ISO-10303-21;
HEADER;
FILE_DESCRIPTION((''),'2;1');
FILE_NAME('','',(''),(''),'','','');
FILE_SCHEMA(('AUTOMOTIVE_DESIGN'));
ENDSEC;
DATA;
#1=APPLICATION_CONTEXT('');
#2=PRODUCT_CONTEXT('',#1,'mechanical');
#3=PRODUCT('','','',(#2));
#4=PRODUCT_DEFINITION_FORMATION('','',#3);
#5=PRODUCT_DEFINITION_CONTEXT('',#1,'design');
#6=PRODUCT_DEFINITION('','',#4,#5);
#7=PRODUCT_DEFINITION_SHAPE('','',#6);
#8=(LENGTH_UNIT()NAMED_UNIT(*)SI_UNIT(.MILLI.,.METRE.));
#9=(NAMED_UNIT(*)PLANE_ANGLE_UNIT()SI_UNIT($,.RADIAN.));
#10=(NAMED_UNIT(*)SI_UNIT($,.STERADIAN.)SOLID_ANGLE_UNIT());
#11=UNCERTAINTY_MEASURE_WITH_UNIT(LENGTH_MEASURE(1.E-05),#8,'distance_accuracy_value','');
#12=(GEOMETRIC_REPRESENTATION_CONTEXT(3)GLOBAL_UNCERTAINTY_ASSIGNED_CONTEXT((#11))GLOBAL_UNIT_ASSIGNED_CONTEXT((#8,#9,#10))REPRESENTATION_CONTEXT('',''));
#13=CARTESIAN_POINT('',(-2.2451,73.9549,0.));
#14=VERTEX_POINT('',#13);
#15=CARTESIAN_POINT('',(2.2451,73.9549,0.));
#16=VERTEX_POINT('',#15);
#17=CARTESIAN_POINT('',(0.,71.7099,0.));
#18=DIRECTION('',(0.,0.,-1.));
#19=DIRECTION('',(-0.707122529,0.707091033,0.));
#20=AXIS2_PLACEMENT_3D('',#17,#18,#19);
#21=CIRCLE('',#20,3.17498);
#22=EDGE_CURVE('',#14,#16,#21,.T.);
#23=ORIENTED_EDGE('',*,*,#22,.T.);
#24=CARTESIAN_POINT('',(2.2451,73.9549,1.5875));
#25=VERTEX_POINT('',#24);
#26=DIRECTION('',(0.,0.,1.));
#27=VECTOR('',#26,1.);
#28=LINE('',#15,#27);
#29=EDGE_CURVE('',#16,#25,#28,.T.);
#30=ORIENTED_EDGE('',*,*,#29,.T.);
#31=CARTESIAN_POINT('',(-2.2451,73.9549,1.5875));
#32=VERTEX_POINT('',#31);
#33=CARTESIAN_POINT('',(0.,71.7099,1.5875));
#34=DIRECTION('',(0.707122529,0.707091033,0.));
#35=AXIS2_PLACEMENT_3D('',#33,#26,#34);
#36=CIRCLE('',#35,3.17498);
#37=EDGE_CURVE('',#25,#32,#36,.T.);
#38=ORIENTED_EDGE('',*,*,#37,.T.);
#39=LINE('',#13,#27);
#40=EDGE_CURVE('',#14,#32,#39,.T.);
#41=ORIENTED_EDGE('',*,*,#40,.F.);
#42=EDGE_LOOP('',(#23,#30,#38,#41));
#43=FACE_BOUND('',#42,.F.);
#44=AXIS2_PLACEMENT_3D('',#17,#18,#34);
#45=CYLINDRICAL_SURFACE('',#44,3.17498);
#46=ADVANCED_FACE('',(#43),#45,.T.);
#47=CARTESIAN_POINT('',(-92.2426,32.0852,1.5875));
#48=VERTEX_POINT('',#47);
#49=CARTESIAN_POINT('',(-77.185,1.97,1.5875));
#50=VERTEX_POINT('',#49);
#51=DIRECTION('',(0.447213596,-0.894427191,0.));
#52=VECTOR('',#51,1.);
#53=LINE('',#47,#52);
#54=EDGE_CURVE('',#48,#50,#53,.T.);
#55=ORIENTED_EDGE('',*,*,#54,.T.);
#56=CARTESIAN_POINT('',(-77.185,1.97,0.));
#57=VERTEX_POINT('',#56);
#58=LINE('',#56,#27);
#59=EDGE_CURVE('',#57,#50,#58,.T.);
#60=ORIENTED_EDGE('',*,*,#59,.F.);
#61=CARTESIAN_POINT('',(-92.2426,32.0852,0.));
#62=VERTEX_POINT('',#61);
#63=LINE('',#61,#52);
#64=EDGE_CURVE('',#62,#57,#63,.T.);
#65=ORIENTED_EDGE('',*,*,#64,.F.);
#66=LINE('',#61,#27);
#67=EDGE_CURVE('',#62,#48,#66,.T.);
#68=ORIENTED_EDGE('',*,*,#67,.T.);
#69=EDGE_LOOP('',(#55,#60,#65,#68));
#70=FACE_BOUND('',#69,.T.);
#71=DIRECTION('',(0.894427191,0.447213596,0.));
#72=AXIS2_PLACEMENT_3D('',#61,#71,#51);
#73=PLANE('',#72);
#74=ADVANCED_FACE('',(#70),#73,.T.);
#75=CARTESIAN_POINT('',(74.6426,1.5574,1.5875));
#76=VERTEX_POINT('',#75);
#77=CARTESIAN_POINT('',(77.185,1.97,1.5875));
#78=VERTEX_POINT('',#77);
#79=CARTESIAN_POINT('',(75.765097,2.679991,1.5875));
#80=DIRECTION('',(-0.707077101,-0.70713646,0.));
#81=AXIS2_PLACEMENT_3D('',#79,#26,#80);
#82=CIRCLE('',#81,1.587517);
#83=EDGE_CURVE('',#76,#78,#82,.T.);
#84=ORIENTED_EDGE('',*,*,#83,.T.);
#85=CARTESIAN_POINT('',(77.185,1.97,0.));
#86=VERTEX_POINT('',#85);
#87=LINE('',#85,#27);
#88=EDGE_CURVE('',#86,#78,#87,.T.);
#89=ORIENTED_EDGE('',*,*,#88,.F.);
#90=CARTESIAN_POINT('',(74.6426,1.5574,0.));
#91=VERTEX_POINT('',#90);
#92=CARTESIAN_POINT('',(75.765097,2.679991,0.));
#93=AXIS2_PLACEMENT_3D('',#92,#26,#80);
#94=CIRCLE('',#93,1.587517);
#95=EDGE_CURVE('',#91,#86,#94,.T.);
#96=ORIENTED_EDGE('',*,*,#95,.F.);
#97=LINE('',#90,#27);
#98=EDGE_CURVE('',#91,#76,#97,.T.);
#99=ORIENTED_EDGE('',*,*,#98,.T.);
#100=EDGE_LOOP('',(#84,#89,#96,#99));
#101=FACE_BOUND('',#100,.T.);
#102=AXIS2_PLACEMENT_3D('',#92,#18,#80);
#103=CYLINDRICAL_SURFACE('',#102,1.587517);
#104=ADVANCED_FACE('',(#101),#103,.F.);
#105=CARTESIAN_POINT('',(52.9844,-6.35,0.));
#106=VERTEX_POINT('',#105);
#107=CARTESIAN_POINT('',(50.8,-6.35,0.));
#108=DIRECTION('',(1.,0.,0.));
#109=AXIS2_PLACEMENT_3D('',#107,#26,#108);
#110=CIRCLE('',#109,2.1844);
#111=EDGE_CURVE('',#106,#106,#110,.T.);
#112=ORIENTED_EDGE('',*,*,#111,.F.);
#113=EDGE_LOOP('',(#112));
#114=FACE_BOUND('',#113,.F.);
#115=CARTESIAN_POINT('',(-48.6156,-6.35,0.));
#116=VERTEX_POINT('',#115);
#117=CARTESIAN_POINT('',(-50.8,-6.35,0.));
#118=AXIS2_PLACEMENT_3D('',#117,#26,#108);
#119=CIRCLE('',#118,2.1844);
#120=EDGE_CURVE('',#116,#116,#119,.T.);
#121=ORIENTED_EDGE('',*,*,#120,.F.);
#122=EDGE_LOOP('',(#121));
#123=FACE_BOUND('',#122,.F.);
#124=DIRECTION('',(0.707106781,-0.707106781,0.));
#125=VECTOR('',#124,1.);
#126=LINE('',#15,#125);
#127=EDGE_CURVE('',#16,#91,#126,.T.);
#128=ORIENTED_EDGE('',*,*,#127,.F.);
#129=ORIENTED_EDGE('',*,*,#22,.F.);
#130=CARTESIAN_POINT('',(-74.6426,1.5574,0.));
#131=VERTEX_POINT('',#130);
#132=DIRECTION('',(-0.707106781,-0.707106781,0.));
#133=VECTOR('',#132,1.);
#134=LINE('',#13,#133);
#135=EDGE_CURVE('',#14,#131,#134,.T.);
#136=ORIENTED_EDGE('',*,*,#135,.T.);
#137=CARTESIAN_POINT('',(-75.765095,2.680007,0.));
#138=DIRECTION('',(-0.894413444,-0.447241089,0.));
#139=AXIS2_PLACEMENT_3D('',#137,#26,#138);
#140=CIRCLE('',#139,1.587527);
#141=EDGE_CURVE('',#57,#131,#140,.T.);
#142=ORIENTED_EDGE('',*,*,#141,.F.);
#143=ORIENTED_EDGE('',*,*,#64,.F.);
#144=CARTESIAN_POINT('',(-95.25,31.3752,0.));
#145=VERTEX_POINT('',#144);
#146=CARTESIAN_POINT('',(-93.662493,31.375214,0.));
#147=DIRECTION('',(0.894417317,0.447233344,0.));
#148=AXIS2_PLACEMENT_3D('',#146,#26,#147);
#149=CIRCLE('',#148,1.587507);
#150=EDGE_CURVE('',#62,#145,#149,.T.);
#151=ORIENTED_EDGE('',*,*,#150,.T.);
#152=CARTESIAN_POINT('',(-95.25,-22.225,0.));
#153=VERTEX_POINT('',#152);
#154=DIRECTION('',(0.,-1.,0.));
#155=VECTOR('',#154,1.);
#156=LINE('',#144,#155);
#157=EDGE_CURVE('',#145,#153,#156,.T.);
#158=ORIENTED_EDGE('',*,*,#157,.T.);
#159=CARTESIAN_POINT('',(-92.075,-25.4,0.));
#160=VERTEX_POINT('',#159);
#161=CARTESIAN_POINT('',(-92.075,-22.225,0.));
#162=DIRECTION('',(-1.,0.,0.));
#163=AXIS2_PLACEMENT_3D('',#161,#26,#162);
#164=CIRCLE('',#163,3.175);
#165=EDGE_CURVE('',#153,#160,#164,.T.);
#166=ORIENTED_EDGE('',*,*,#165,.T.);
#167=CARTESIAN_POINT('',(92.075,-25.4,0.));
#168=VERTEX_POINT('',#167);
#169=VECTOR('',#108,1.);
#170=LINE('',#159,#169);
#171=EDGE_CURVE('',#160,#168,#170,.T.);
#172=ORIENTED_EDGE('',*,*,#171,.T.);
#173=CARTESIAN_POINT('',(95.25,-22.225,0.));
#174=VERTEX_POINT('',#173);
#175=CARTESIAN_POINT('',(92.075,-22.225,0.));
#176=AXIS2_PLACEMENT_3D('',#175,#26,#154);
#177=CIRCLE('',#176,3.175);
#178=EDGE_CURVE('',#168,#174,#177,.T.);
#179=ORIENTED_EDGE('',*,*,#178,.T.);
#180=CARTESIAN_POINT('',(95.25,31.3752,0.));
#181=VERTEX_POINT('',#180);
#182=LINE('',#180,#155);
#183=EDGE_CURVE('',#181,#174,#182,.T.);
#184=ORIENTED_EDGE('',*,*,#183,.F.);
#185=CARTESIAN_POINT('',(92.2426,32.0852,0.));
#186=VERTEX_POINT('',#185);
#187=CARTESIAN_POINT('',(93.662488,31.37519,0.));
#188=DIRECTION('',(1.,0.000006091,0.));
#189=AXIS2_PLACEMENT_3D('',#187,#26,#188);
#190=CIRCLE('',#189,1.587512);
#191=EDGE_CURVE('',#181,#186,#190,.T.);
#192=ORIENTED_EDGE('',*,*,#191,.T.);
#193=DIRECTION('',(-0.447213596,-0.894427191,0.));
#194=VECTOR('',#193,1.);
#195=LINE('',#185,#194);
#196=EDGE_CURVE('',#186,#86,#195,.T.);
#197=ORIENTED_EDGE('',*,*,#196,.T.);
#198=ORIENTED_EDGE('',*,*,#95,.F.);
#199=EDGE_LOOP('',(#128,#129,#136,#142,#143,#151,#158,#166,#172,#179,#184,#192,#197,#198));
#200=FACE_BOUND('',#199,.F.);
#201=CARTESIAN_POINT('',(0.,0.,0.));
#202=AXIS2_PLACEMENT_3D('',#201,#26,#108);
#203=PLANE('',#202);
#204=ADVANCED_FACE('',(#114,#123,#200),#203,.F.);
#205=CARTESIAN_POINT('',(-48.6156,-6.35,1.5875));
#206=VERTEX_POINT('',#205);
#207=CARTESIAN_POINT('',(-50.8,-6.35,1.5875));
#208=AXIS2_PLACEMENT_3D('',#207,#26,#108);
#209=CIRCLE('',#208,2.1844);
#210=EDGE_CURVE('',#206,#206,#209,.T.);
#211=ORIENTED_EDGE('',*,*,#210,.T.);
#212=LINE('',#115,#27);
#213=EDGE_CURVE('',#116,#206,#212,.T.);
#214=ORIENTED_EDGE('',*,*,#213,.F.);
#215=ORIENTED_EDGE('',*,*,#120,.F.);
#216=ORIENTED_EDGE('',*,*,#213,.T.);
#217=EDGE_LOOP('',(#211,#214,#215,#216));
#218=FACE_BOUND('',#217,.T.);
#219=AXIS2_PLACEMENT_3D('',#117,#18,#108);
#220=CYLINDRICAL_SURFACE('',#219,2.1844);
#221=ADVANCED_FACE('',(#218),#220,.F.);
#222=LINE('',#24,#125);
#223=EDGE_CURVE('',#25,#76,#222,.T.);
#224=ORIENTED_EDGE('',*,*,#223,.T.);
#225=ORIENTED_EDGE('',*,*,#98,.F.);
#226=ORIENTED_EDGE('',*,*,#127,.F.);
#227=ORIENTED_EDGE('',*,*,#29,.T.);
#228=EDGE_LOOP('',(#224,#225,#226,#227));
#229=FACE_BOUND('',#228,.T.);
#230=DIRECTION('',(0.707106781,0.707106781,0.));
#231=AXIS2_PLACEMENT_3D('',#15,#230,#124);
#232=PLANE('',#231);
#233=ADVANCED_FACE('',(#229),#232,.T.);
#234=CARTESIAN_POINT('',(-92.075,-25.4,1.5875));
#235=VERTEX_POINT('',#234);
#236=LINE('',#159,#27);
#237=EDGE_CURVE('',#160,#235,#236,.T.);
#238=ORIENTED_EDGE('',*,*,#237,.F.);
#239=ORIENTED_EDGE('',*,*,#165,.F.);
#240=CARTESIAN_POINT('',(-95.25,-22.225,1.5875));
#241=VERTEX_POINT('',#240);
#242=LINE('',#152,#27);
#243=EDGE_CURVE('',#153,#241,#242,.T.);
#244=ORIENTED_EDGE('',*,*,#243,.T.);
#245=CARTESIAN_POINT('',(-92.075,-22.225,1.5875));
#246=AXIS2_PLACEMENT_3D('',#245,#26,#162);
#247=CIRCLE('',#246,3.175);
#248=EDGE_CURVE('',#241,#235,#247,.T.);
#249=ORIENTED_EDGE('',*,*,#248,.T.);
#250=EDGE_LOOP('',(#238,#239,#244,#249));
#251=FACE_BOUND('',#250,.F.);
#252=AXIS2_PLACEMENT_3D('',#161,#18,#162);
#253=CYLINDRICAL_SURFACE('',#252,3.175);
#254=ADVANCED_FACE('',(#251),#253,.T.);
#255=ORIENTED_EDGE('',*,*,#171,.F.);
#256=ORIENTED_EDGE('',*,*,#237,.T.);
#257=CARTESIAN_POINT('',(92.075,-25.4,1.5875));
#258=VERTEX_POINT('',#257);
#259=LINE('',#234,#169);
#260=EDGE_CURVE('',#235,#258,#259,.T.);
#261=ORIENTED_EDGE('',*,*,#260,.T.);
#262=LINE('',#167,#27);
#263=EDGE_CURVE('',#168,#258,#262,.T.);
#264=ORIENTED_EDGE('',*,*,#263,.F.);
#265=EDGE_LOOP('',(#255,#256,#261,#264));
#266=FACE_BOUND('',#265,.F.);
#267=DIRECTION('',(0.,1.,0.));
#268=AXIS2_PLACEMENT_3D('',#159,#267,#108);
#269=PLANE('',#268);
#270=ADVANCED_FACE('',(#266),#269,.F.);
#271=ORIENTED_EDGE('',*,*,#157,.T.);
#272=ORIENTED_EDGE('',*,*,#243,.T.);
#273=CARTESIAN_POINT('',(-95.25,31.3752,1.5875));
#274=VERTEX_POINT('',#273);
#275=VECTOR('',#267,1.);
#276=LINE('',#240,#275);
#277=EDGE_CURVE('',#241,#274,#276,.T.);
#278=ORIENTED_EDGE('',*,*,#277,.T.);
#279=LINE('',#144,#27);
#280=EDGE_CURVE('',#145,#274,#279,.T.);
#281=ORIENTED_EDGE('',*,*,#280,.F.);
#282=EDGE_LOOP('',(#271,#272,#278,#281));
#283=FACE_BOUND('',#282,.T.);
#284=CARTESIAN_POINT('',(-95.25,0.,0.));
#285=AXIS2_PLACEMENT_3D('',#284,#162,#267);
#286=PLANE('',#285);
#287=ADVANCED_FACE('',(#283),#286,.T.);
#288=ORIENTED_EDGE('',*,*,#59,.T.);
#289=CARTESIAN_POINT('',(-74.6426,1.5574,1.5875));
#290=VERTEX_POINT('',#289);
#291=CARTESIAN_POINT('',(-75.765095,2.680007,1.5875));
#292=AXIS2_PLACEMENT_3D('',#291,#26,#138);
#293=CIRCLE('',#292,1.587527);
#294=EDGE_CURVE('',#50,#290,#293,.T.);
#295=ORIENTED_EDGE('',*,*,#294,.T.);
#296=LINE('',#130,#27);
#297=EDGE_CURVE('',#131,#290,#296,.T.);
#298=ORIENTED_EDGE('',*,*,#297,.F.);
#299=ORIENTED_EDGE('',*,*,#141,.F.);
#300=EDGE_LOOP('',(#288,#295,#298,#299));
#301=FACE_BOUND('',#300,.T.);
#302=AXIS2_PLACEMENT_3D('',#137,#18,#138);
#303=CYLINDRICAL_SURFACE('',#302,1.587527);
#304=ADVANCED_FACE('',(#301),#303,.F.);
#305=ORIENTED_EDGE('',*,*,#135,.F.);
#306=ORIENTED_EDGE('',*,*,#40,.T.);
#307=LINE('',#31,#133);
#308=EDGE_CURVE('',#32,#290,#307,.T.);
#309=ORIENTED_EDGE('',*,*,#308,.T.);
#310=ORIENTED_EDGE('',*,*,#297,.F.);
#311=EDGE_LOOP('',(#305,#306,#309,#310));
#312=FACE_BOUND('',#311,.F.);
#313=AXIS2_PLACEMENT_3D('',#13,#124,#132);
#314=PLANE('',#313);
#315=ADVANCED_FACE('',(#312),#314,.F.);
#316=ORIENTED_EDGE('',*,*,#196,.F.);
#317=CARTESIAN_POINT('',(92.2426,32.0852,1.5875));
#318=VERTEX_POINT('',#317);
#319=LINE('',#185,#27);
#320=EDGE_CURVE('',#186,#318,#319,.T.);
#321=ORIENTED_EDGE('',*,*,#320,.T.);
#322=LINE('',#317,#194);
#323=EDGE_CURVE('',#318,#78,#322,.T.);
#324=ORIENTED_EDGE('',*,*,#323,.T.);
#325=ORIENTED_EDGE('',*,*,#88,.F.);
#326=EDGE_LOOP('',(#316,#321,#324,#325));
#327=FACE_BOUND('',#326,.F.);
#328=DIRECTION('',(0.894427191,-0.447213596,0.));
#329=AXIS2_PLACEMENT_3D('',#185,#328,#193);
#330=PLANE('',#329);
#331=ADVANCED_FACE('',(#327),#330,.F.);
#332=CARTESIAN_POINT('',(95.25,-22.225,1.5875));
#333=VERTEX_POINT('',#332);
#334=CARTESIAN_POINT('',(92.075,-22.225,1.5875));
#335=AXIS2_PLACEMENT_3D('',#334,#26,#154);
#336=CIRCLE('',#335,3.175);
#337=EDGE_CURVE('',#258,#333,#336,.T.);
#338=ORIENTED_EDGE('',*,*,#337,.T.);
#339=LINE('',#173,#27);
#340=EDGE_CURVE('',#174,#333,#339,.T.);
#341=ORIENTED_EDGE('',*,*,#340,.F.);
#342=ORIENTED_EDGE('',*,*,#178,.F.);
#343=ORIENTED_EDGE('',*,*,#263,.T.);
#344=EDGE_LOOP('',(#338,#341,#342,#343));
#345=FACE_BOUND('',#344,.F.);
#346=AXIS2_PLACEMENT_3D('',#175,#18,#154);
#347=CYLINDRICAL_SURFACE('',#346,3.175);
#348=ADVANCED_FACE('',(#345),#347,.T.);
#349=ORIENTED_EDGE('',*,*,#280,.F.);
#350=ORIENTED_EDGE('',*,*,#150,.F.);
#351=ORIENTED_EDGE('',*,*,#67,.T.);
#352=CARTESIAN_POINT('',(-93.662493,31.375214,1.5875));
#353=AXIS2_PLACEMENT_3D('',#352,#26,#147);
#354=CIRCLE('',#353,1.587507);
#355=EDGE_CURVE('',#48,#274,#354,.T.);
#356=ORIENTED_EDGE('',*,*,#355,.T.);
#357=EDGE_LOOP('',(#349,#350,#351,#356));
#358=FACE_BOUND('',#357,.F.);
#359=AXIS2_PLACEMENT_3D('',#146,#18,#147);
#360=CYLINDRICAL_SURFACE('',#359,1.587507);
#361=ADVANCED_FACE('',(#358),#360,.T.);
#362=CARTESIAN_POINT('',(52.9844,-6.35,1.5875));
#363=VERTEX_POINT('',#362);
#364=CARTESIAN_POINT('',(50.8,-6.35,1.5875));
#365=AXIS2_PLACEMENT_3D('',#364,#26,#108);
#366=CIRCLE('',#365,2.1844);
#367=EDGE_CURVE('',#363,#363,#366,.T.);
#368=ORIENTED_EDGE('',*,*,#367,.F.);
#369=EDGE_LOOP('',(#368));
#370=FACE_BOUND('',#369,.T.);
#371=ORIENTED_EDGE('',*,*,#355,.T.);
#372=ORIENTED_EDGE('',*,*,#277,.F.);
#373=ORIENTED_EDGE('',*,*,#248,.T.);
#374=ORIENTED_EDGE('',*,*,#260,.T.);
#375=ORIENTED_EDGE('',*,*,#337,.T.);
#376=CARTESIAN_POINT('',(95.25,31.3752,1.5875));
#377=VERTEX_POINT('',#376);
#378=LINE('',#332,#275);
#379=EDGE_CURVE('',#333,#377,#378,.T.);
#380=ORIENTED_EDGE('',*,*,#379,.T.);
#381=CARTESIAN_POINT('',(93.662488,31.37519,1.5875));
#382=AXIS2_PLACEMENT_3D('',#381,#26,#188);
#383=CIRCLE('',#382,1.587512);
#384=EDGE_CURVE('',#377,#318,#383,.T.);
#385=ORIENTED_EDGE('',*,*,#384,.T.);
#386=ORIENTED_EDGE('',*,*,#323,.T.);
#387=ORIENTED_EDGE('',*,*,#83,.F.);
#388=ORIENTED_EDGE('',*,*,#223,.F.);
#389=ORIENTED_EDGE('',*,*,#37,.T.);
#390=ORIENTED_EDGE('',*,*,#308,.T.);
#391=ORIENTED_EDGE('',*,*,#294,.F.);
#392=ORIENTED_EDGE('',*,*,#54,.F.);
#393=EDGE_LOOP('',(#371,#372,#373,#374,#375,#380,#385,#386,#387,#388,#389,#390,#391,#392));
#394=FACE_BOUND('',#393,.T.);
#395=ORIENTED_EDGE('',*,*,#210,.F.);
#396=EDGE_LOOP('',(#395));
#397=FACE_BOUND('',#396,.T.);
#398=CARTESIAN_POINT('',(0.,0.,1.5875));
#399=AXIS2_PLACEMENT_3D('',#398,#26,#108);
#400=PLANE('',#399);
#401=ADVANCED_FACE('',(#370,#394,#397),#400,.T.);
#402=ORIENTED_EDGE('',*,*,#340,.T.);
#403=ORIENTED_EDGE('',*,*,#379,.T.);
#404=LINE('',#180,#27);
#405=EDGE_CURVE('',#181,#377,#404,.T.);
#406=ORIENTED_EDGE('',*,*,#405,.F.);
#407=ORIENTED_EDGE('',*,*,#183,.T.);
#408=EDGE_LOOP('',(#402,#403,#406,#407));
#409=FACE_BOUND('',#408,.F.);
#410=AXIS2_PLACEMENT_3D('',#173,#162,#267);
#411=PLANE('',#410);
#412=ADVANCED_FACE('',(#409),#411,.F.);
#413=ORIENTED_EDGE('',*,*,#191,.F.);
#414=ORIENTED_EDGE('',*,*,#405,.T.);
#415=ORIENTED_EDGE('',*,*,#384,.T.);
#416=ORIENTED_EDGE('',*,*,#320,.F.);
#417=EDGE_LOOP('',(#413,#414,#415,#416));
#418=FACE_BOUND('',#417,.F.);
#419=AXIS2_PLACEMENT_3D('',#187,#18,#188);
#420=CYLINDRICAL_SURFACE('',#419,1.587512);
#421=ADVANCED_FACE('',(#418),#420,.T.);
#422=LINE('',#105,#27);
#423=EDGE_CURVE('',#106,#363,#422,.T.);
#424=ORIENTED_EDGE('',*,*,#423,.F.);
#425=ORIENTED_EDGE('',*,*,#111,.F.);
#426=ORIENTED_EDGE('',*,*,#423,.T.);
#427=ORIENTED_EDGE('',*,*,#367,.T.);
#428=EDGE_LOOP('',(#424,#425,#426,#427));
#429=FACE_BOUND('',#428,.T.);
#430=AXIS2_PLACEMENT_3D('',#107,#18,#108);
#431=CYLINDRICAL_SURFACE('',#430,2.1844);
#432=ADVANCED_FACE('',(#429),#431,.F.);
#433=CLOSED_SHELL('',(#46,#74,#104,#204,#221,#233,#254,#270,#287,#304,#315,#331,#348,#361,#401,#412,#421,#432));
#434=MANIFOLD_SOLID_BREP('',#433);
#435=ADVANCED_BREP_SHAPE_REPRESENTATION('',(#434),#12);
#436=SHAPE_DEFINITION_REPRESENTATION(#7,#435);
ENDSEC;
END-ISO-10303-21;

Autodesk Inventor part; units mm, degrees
ref_plane "YZ Plane" through (0, 0, 0) normal (1, 0, 0) x (0, 1, 0)
ref_plane "XZ Plane" through (0, 0, 0) normal (0, 1, 0) x (-1, 0, 0)
ref_plane "XY Plane" through (0, 0, 0) normal (0, 0, 1) x (1, 0, 0)
sketch "Sketch1" plane through (0, 0, 0) normal (0, 0, 1) x (1, 0, 0)
  line L0 (0, 0) -> (0, 76.2)
  line L1 (-2.2451, 73.9549) -> (-74.6426, 1.5574)
  line L2 (2.2451, 73.9549) -> (74.6426, 1.5574)
  line L3 (0, 0) -> (95.25, 0)
  line L4 (0, 0) -> (-95.25, 0)
  line L5 (95.25, 0) -> (95.25, 31.3752)
  line L6 (92.2426, 32.0852) -> (77.185, 1.97)
  line L7 (-95.25, 0) -> (-95.25, 31.3752)
  line L8 (-92.2426, 32.0852) -> (-77.185, 1.97)
  line L9 (-95.25, 0) -> (-95.25, -22.225)
  line L10 (-92.075, -25.4) -> (92.075, -25.4)
  line L11 (95.25, -22.225) -> (95.25, 0)
  arc A0 (2.2451, 73.9549) -> (-2.2451, 73.9549) centre (0, 71.7099) ccw
  arc A1 (92.075, -25.4) -> (95.25, -22.225) centre (92.075, -22.225) ccw
  arc A2 (-95.25, -22.225) -> (-92.075, -25.4) centre (-92.075, -22.225) ccw
  arc A3 (-77.185, 1.97) -> (-74.6426, 1.5574) centre (-75.7651, 2.68) ccw
  arc A4 (-92.2426, 32.0852) -> (-95.25, 31.3752) centre (-93.6625, 31.3752) ccw
  arc A5 (95.25, 31.3752) -> (92.2426, 32.0852) centre (93.6625, 31.3752) ccw
  arc A6 (74.6426, 1.5574) -> (77.185, 1.97) centre (75.7651, 2.68) ccw
  circle A7 centre (50.8, -6.35) radius 2.1844
  circle A8 centre (-50.8, -6.35) radius 2.1844
  point P0 (-76.2, 0)
  point P1 (76.2, 0)
  point P2 (95.25, 38.1)
  point P3 (-95.25, 38.1)
  point P4 (-95.25, -25.4)
  dimension "d0" = 76.2
  dimension "d3" = 45
  dimension "d4" = 45
  dimension "d5" = 95.25
  dimension "d6" = 95.25
  dimension "d7" = 38.1
  dimension "d8" = 38.1
  dimension "d9" = 25.4
  dimension "d10" = 3.175
  dimension "d11" = 3.175
  dimension "d12" = 1.5875
  dimension "d13" = 4.3688
  dimension "d14" = 50.8
  dimension "d15" = 6.35
  dimension "d16" = 4.3688
  dimension "d17" = 50.8
  dimension "d18" = 6.35
extrude "Extrusion1" add sketch "Sketch1" along normal blind 1.5875
properties part number "longgoalaligner"
